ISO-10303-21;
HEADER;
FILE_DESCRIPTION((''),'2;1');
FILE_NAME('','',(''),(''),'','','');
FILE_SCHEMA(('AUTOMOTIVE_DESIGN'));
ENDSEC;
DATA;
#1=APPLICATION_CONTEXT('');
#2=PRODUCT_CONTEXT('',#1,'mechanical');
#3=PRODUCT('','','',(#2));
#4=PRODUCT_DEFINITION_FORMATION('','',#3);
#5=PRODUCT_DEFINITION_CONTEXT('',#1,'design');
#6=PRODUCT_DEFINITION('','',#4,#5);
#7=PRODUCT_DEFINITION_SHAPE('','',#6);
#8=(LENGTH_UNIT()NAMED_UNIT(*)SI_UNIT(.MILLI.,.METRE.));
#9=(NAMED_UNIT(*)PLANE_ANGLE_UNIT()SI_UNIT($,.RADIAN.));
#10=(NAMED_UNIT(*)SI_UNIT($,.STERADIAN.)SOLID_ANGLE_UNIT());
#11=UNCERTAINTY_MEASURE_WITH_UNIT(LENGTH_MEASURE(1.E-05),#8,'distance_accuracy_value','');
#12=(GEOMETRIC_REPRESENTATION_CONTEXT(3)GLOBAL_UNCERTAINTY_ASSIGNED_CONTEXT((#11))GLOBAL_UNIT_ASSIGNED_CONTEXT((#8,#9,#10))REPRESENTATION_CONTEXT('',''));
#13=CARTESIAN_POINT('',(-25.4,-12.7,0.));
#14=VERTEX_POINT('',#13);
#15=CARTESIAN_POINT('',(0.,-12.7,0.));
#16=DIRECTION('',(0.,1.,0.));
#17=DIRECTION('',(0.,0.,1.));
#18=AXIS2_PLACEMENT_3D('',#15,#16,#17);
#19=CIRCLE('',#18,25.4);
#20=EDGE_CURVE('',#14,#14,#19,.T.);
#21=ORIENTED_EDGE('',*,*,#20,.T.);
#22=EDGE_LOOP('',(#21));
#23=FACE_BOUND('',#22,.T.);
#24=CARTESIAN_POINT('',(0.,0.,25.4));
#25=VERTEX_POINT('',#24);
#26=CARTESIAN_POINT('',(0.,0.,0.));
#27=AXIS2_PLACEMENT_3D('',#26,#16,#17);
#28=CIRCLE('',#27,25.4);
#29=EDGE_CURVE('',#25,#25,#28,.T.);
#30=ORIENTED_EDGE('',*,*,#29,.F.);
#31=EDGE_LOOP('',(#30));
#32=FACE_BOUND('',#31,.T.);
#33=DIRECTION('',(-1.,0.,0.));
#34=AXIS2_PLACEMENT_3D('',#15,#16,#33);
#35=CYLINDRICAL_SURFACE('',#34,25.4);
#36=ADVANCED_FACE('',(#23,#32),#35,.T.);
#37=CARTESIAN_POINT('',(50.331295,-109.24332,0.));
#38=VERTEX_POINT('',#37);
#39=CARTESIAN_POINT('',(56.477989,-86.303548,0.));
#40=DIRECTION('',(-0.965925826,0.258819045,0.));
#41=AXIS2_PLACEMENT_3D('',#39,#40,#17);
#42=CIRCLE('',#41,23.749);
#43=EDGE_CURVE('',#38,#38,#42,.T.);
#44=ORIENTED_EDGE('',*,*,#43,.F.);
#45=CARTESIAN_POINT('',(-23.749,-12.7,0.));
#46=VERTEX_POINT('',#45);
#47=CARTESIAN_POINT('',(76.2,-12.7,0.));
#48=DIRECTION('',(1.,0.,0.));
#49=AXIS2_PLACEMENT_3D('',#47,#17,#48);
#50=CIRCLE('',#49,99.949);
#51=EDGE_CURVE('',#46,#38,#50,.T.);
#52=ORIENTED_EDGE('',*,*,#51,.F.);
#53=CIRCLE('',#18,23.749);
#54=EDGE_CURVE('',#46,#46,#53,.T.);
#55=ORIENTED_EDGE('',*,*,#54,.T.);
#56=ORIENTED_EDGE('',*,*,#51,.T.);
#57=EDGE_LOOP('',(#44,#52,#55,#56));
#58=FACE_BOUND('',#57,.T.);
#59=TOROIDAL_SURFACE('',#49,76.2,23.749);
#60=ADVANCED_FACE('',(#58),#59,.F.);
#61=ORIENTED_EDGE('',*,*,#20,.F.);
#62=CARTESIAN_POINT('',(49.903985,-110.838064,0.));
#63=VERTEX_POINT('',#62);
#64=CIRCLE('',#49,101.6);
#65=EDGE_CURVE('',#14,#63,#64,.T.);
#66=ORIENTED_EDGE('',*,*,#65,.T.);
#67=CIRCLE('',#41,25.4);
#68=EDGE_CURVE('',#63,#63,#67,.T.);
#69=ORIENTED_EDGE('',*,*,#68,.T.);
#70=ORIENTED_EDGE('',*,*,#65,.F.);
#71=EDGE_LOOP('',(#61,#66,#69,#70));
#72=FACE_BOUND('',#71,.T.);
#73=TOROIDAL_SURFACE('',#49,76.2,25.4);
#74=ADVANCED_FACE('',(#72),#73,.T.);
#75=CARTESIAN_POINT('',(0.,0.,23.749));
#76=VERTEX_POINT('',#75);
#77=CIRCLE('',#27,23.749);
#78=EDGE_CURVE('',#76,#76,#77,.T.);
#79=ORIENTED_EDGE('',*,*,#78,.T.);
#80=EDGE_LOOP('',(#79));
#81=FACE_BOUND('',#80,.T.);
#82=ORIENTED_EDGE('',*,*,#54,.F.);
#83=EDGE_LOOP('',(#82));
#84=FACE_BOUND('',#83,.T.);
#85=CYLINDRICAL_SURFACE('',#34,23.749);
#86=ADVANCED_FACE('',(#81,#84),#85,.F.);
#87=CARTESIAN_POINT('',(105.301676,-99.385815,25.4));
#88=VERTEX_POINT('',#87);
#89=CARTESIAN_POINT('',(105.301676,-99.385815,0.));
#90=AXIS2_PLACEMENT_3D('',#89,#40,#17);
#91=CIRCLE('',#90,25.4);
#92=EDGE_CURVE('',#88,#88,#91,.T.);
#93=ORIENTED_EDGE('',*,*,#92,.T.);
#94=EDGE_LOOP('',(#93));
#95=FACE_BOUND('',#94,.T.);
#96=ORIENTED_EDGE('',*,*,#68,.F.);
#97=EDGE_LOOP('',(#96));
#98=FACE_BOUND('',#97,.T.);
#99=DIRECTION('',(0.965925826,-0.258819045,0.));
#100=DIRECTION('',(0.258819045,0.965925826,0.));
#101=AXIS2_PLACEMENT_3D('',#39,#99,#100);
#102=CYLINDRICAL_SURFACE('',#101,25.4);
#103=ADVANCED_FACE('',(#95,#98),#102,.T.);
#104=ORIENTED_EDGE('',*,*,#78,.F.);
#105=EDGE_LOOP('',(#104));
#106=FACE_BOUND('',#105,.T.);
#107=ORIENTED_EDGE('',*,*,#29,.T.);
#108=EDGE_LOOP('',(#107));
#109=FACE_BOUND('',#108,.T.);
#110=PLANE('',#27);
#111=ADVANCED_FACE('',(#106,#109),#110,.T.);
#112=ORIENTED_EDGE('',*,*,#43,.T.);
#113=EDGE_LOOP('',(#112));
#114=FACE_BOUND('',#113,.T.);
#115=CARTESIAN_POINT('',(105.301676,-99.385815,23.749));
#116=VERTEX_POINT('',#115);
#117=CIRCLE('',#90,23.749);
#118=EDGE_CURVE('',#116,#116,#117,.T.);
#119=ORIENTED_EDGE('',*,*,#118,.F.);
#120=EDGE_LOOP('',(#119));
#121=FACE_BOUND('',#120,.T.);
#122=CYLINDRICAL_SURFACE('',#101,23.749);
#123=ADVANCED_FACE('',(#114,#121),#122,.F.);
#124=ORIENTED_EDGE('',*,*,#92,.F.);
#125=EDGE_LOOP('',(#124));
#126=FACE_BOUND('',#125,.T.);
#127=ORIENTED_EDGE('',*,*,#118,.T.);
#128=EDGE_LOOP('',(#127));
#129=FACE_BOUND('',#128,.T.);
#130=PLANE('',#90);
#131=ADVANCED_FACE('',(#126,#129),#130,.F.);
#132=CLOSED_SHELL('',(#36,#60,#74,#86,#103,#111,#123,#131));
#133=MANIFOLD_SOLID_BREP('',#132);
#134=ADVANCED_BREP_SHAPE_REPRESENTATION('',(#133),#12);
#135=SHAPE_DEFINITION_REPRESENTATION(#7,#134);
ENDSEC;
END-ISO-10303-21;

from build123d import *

# Parameters (mm, degrees)
SKETCH2_R   = 25.4
SKETCH2_R_2 = 23.749


with BuildPart() as part:
    # Sweep1: sweep along a path in Sketch1
    with BuildLine(Plane.XY) as sweep1_path:
        Line((0, 0), (0, -12.7))
        ThreePointArc((0, -12.7), (15.74647547, -59.08762089), (56.477988763, -86.303547963))
        Line((56.477988763, -86.303547963), (105.301675579, -99.385815417))
    # Sketch2 → Sweep1 (sweep)
    with BuildSketch(Plane(origin=(0, 0, 0), x_dir=(1, 0, 0), z_dir=(0, 1, 0))):
        Circle(SKETCH2_R)
        Circle(SKETCH2_R_2, mode=Mode.SUBTRACT)
    sweep(path=sweep1_path.line)


solid = part.part
